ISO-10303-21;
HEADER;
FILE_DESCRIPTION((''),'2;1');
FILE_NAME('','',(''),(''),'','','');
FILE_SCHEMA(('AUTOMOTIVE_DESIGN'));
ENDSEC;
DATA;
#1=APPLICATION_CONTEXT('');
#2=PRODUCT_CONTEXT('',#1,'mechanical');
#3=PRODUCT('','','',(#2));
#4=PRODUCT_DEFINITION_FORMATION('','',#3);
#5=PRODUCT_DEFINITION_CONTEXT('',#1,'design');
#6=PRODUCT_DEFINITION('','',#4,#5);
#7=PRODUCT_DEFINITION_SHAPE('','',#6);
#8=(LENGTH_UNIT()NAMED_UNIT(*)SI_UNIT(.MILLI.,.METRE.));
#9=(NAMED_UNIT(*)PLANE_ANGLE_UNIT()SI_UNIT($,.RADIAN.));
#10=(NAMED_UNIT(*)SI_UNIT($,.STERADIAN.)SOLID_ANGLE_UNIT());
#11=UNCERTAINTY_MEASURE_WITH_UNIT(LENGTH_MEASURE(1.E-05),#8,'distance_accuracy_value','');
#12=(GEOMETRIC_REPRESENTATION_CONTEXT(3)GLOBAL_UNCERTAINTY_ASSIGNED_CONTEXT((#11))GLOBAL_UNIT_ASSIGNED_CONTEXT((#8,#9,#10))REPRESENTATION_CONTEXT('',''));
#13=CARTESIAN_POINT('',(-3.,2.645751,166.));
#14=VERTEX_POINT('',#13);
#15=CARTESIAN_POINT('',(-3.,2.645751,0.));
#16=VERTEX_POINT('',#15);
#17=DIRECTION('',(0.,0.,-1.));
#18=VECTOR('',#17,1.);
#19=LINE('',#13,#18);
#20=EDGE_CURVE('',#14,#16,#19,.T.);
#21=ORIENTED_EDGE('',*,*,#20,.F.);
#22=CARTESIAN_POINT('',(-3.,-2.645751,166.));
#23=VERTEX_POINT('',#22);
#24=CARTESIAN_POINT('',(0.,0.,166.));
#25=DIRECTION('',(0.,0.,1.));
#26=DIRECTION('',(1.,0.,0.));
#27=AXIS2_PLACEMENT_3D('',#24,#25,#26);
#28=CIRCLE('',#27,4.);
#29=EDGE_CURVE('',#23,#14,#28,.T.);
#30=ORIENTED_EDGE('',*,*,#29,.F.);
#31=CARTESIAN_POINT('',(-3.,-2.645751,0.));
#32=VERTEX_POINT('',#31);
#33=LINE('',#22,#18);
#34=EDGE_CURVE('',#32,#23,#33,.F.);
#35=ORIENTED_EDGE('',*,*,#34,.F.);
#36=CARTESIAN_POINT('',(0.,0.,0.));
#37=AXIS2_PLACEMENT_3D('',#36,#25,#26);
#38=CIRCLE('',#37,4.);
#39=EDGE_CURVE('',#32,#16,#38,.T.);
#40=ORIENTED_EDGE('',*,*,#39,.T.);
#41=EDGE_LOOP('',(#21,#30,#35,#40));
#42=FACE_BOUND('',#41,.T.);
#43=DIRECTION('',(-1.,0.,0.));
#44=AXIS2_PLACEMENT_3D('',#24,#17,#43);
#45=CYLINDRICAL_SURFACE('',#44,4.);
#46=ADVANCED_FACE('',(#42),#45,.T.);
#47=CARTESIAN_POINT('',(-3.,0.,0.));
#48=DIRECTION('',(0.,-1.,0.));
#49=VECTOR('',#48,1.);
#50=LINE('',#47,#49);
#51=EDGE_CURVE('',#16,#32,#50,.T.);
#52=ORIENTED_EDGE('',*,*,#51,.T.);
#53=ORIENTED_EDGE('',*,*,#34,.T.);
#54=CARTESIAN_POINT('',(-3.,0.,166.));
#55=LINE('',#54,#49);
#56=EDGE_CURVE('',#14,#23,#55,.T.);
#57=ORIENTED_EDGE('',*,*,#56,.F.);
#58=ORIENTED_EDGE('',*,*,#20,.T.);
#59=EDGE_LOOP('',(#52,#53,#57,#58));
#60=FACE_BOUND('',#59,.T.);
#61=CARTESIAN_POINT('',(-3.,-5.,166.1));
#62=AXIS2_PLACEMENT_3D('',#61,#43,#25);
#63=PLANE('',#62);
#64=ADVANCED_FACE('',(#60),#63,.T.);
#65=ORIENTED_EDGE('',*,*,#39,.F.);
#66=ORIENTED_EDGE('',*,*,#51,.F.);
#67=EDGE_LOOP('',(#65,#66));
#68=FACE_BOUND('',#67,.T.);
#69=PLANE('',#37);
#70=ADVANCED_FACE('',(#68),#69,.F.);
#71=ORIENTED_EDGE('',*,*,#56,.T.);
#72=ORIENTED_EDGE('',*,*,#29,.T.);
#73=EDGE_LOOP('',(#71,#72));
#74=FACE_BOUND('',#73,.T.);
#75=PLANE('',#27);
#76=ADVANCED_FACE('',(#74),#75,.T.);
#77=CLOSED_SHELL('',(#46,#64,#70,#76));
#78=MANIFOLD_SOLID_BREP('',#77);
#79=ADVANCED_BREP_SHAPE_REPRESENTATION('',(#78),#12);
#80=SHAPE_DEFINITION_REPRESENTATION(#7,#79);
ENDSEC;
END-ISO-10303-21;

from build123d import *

# Parameters (mm, degrees)
SKETCH1_R                = 4
AXLE_166MM_DEPTH         = 166
PRINT_BED_FLAT_1MM_START = -0.1
SKETCH2_W                = 2
SKETCH2_H                = 10
PRINT_BED_FLAT_1MM_DEPTH = 166.2


with BuildPart() as part:
    # Sketch1 → Axle_166mm (new body)
    with BuildSketch(Plane.XY):
        Circle(SKETCH1_R)
    extrude(amount=AXLE_166MM_DEPTH)

    # Sketch2 → Print_Bed_Flat_1mm (cut)
    with BuildSketch(Plane.XY.offset(PRINT_BED_FLAT_1MM_START)):
        with Locations((-4, 0)):
            Rectangle(SKETCH2_W, SKETCH2_H)
    extrude(amount=PRINT_BED_FLAT_1MM_DEPTH, mode=Mode.SUBTRACT)


solid = part.part
